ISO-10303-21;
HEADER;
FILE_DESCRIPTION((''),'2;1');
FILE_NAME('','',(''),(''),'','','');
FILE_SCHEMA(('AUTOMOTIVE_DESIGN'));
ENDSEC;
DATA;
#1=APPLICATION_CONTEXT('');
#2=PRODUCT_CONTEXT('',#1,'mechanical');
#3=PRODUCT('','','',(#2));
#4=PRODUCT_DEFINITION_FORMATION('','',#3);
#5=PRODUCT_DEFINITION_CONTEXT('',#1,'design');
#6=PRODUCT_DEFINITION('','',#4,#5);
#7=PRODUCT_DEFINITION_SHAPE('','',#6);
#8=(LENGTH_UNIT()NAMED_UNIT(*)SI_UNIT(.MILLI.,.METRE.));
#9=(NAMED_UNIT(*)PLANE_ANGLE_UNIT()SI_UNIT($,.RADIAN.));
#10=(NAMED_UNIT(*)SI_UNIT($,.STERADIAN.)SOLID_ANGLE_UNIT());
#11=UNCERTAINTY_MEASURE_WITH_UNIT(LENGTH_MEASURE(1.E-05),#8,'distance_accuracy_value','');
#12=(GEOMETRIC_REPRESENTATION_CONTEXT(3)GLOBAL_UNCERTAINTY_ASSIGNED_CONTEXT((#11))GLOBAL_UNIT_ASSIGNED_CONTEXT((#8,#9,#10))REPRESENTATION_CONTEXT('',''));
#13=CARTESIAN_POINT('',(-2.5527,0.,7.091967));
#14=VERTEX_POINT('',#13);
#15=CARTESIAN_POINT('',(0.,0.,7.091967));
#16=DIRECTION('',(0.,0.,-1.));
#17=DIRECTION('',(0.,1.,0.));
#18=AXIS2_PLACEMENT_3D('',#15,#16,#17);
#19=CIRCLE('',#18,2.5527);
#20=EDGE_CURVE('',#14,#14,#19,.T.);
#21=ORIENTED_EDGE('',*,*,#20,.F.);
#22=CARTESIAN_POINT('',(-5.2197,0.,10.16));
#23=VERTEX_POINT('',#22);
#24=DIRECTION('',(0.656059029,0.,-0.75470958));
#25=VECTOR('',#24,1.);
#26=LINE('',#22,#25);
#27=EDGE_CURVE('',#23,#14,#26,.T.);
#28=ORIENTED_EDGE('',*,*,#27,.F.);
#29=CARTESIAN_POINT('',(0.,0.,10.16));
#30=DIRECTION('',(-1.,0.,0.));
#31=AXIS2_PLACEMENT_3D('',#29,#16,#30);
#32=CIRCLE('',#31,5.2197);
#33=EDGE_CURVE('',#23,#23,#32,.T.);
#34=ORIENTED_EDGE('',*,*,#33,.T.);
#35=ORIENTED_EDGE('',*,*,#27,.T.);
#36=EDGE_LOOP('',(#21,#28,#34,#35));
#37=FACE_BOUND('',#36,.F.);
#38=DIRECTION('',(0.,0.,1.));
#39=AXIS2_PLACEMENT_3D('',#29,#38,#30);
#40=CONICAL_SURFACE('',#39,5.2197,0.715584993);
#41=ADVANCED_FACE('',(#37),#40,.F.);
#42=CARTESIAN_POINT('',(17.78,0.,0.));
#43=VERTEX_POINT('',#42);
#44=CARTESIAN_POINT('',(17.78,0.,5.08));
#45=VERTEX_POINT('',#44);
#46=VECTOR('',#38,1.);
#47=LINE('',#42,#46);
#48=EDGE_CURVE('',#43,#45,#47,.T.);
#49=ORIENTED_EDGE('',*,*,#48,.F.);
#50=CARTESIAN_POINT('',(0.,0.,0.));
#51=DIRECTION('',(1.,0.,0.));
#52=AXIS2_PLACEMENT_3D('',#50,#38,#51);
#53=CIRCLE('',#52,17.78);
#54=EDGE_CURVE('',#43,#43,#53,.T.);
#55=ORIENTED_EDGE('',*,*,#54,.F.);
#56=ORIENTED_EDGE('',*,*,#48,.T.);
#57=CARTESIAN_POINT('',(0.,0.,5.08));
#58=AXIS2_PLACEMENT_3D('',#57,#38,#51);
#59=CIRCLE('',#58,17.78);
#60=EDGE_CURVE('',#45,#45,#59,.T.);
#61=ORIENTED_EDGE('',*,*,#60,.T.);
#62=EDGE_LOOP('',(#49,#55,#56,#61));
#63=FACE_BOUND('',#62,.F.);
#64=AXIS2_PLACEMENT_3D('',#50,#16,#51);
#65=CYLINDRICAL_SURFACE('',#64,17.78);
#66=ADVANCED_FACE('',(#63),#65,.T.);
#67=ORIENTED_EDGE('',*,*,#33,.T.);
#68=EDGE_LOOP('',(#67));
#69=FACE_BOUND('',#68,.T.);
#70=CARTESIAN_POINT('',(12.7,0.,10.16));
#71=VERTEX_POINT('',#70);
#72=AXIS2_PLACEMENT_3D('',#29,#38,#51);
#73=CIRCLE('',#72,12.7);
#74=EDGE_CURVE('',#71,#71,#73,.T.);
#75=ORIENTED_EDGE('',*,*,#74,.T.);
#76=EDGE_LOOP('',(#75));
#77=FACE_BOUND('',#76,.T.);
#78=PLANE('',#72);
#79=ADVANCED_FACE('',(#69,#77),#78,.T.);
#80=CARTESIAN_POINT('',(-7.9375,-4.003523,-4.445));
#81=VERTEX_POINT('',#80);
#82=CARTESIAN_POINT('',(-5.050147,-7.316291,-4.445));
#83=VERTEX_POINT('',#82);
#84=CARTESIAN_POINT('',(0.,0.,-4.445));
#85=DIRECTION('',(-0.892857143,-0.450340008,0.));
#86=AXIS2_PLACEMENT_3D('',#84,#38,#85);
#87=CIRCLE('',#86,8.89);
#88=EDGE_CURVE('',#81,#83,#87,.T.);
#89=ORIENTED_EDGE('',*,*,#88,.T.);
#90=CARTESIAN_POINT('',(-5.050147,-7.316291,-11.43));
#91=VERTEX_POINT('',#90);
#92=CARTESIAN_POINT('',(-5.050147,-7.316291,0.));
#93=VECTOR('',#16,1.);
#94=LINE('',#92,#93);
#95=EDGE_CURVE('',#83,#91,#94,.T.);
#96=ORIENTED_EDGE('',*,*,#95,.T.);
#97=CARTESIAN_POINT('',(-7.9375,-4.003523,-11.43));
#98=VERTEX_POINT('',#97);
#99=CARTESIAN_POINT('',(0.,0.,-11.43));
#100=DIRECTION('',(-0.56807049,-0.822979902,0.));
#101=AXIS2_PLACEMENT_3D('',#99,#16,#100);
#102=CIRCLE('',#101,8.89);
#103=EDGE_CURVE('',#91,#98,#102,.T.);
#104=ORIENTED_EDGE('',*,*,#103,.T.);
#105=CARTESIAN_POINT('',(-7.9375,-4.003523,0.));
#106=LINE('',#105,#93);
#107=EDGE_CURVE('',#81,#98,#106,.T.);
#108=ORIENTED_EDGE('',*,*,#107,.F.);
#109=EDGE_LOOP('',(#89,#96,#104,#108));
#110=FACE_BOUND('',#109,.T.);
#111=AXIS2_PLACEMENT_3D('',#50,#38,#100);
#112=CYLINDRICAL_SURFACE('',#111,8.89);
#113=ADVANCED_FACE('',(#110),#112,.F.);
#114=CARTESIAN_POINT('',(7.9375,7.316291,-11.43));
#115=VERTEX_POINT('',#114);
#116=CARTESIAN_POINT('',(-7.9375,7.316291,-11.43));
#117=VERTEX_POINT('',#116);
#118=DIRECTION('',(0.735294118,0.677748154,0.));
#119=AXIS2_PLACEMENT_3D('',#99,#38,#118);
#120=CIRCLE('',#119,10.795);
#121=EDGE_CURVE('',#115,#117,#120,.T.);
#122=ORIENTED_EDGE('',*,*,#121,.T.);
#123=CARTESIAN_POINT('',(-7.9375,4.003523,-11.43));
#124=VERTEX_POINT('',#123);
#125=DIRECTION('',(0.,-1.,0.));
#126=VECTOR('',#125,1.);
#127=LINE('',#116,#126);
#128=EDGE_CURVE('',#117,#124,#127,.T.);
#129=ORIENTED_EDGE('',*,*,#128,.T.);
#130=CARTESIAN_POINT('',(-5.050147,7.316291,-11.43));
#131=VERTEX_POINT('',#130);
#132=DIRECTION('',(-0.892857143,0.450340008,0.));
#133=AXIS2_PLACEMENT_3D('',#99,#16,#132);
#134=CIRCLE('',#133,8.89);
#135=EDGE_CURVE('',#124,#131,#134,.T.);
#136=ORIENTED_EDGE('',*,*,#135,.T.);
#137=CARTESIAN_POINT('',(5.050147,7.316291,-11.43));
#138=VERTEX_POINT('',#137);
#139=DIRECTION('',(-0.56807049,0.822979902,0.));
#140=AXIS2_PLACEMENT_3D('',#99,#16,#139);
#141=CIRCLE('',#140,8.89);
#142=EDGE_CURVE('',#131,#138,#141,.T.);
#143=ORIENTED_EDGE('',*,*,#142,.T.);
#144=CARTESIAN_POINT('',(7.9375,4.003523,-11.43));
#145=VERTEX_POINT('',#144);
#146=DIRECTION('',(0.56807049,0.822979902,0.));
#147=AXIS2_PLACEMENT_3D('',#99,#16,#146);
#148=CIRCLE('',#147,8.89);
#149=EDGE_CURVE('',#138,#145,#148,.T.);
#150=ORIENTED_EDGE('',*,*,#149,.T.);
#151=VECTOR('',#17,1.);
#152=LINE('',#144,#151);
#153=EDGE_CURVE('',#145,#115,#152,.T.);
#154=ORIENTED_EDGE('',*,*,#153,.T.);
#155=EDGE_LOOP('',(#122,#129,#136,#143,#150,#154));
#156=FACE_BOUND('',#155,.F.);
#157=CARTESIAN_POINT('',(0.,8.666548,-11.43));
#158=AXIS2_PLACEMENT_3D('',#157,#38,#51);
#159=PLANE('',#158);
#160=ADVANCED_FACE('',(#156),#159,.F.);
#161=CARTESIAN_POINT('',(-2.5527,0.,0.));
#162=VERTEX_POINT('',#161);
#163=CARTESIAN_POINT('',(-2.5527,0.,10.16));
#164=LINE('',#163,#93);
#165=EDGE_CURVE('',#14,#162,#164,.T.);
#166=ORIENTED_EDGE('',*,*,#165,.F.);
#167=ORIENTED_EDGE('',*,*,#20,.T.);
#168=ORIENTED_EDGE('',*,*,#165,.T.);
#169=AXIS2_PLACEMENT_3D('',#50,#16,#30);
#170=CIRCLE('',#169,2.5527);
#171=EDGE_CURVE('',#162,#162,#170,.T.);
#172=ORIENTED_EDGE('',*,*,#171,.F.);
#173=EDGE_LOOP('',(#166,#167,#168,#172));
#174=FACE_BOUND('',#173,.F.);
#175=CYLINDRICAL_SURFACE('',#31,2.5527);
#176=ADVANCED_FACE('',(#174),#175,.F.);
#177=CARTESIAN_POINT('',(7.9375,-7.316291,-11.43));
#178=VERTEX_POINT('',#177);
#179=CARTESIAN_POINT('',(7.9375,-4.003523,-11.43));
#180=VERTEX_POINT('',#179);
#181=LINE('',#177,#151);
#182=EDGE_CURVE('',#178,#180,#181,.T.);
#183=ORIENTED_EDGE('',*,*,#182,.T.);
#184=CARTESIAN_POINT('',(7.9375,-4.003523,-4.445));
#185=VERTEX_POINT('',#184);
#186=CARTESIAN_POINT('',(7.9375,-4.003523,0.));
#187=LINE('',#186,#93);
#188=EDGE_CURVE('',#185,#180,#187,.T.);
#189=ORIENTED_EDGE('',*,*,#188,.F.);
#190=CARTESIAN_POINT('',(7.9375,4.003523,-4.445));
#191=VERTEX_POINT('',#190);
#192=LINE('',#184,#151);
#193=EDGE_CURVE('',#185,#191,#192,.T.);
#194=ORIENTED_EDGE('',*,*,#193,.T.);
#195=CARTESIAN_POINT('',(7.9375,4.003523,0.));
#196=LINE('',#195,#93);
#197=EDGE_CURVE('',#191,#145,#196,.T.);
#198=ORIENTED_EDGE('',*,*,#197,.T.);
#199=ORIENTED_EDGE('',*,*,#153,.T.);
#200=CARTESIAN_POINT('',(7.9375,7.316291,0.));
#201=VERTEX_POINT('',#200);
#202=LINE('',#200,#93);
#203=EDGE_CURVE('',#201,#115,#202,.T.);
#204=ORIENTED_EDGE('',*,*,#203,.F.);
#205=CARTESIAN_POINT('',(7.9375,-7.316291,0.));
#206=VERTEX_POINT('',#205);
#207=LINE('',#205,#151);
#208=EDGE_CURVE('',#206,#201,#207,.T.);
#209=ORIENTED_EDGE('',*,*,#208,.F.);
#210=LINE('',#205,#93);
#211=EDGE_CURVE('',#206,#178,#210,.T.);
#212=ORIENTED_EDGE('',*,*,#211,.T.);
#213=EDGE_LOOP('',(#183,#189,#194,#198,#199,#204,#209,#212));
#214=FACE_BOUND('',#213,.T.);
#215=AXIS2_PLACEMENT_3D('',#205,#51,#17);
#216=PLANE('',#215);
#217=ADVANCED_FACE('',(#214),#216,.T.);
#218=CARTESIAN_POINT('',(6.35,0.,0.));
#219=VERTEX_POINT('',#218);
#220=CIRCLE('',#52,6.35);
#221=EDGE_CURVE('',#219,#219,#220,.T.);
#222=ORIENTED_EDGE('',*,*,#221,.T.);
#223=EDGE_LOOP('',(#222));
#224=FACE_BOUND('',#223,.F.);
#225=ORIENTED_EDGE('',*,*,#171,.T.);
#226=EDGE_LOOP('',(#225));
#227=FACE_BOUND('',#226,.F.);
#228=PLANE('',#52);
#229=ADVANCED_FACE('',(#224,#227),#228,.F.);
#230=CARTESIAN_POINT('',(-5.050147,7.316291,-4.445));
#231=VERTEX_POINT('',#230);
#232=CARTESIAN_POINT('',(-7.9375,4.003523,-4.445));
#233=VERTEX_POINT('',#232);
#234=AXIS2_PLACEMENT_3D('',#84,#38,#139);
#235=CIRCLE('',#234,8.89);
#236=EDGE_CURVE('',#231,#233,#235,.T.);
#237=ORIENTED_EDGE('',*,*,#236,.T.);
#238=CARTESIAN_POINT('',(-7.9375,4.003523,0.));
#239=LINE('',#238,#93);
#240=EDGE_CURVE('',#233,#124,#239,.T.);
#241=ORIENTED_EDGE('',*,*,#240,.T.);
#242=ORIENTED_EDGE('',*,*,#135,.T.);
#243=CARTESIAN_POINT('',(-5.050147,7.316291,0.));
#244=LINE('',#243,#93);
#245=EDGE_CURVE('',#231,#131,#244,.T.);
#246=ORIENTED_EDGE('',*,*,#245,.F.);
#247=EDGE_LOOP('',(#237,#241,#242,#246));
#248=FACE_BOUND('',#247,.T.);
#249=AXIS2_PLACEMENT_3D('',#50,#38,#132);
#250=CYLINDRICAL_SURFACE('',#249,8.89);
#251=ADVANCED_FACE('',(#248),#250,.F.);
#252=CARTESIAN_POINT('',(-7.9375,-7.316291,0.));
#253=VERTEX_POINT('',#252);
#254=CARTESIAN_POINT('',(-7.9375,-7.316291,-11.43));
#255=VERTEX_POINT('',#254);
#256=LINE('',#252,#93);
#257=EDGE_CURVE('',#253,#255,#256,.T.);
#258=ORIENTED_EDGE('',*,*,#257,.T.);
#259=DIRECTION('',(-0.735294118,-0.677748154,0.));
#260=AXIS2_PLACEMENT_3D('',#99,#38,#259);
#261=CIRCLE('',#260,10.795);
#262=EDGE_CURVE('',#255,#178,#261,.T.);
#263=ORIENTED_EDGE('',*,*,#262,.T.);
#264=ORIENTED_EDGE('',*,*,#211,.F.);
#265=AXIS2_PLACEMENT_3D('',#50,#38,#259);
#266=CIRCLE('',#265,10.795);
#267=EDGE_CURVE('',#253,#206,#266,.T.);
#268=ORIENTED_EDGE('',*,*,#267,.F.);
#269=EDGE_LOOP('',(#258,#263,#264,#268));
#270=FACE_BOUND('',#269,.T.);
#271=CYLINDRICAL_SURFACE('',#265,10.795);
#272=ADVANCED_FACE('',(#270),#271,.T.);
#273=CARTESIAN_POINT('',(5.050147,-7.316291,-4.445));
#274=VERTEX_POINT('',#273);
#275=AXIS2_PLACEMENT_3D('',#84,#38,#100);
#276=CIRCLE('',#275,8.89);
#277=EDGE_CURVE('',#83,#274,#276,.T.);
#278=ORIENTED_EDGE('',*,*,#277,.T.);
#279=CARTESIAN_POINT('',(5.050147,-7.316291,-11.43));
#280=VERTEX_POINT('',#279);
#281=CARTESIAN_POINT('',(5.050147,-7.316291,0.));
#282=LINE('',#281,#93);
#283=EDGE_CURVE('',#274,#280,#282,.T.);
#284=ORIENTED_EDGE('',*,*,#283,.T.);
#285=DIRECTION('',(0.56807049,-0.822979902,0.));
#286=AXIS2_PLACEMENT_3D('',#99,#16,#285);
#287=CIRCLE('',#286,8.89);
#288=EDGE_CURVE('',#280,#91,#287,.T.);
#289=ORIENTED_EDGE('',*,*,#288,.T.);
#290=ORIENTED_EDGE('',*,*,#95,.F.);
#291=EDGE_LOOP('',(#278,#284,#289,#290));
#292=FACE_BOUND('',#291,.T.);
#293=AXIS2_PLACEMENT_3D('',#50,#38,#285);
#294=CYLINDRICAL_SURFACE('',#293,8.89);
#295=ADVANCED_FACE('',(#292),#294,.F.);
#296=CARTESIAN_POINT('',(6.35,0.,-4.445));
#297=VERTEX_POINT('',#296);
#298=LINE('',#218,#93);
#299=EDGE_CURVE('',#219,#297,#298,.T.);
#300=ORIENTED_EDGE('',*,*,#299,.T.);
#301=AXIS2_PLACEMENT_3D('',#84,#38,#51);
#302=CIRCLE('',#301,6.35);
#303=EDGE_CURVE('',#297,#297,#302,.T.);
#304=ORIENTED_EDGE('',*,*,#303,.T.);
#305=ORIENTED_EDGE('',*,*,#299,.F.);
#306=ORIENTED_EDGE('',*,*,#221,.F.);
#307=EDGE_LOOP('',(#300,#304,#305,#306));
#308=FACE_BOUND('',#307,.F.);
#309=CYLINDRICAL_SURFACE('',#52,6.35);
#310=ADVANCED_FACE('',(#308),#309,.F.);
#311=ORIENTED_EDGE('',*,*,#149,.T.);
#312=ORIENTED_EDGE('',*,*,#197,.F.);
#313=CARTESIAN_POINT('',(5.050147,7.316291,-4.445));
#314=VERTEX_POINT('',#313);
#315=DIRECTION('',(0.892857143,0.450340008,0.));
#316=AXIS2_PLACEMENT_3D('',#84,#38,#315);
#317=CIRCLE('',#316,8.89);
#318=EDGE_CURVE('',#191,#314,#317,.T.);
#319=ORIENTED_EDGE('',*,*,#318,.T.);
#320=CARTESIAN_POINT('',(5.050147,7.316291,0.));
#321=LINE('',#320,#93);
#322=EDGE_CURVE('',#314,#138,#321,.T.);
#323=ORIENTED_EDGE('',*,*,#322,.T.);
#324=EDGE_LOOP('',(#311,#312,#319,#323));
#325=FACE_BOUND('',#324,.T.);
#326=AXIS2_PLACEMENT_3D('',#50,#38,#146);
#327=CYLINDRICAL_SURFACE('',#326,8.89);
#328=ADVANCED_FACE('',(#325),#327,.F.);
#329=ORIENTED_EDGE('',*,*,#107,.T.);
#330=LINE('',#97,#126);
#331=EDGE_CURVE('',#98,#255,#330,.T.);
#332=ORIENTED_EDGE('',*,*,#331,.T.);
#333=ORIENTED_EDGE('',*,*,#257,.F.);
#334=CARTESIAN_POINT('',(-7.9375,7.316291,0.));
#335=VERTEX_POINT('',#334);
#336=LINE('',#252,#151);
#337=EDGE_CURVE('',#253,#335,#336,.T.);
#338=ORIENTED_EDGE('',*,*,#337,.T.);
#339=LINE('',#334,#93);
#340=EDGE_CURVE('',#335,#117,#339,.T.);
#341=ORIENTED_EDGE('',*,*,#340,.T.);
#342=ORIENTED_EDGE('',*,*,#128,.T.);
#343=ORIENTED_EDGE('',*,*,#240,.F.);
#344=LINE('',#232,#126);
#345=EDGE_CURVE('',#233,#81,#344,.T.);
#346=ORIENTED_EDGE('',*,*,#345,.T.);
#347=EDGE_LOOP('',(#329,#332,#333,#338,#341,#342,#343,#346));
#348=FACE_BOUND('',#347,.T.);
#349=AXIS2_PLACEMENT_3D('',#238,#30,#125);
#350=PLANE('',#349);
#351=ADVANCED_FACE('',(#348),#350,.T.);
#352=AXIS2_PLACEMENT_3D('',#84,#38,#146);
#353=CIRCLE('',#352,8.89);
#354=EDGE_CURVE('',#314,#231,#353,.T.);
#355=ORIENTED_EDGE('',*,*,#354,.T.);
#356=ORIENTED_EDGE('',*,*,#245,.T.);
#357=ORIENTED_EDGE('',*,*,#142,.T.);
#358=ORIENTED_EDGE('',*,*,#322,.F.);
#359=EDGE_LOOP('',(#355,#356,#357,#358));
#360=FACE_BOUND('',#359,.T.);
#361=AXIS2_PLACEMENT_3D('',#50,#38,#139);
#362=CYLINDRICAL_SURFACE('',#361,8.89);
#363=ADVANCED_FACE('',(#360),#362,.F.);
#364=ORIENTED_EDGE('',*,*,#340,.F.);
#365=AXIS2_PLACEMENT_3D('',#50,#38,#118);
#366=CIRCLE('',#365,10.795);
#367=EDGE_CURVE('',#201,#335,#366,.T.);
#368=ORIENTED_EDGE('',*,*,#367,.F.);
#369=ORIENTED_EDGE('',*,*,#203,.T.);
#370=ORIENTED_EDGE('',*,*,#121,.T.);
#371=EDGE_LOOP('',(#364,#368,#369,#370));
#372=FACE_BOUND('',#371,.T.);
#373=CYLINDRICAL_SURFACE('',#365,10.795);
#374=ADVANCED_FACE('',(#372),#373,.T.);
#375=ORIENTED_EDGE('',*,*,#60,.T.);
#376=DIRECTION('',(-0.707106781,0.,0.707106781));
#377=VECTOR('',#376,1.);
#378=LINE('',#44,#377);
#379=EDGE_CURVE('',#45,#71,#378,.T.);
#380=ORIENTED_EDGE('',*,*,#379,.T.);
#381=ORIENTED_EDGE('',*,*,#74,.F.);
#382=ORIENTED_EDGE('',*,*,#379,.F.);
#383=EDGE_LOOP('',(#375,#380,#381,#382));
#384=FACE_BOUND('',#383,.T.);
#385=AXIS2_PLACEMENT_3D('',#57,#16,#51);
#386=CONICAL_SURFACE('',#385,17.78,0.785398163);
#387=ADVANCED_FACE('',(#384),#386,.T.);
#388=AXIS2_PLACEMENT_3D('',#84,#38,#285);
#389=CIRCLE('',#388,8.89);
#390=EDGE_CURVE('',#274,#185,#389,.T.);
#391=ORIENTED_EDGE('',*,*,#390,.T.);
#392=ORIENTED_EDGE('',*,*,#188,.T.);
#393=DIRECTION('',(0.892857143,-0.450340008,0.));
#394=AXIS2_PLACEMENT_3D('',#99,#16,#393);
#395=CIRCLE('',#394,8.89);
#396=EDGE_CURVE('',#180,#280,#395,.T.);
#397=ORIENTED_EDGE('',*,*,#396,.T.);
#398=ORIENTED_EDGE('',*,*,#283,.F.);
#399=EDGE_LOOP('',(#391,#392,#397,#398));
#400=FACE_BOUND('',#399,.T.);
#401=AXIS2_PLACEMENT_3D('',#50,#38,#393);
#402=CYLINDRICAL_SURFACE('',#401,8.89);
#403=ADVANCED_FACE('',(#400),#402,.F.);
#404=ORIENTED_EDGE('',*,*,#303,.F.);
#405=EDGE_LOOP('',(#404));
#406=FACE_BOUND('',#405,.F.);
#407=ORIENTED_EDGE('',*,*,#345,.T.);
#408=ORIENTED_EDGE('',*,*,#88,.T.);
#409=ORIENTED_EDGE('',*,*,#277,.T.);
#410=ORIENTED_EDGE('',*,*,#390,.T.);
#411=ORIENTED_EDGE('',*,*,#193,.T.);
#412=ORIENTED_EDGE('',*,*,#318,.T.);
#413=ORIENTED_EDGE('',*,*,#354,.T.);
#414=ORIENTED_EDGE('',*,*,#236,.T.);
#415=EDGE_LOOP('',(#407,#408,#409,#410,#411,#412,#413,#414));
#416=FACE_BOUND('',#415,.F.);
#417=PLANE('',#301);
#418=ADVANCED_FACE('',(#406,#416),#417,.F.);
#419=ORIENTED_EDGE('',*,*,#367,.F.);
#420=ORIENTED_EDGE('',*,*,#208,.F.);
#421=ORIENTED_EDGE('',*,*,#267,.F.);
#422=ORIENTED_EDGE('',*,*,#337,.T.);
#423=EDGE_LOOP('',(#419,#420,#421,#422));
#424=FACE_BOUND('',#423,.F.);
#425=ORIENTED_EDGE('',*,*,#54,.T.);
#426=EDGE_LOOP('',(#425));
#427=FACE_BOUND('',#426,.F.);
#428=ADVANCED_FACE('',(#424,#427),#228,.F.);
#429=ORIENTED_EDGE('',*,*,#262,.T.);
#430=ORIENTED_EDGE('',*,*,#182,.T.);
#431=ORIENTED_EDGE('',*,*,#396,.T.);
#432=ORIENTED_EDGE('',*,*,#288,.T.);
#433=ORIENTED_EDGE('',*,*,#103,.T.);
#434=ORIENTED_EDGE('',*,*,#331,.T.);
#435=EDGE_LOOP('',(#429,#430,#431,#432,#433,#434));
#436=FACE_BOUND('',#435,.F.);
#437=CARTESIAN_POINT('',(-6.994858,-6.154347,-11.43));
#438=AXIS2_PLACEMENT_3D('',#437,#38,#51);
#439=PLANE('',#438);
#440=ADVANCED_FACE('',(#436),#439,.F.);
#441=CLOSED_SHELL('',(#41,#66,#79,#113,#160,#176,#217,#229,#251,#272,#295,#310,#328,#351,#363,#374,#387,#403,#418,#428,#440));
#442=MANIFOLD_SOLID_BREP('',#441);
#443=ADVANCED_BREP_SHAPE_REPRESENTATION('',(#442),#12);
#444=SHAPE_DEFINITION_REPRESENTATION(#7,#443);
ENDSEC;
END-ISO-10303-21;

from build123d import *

# Parameters (mm, degrees)
F0_R           = 17.78
F1_DEPTH       = 10.16
F3_D           = 5.1054
F3_CSINK_D     = 10.4394
F3_CSINK_ANGLE = 82
F5_DEPTH       = 11.43
F4_R           = 6.35
F6_DEPTH       = 4.445
F7_SIZE        = 5.08


with BuildPart() as f1:
    # F0 (on Top) → F1 (new body)
    with BuildSketch(Plane.XY):
        Circle(F0_R)
    extrude(amount=F1_DEPTH)

    # F3 (through all)
    with Locations(Plane.XY.offset(10.16)):
        with Locations((0, 0)):
            CounterSinkHole(F3_D / 2, F3_CSINK_D / 2, counter_sink_angle=F3_CSINK_ANGLE)

    # F4 (on Top) → F5 (join)
    with BuildSketch(Plane.XY):
        with BuildLine():
            Line((5.0501466563, 7.3162913248), (7.9375, 7.3162913248))
            ThreePointArc((7.9375, 7.3162913248), (0, 10.795), (-7.9375, 7.3162913248))
            Line((-7.9375, 7.3162913248), (-5.0501466563, 7.3162913248))
            ThreePointArc((-5.0501466563, 7.3162913248), (0, 8.89), (5.0501466563, 7.3162913248))
        make_face()
        with BuildLine():
            Line((7.9375, 4.0035226676), (7.9375, 7.3162913248))
            Line((7.9375, 7.3162913248), (5.0501466563, 7.3162913248))
            ThreePointArc((5.0501466563, 7.3162913248), (6.7017423452, 5.8411257082), (7.9375, 4.0035226676))
        make_face()
        with BuildLine():
            Line((-5.0501466563, 7.3162913248), (-7.9375, 7.3162913248))
            Line((-7.9375, 7.3162913248), (-7.9375, 4.0035226676))
            ThreePointArc((-7.9375, 4.0035226676), (-6.7017423452, 5.8411257082), (-5.0501466563, 7.3162913248))
        make_face()
        with BuildLine():
            Line((-7.9375, -4.0035226676), (-7.9375, -7.3162913248))
            Line((-7.9375, -7.3162913248), (-5.0501466563, -7.3162913248))
            ThreePointArc((-5.0501466563, -7.3162913248), (-6.7017423452, -5.8411257082), (-7.9375, -4.0035226676))
        make_face()
        with BuildLine():
            ThreePointArc((-7.9375, -7.3162913248), (0, -10.795), (7.9375, -7.3162913248))
            Line((7.9375, -7.3162913248), (5.0501466563, -7.3162913248))
            ThreePointArc((5.0501466563, -7.3162913248), (0, -8.89), (-5.0501466563, -7.3162913248))
            Line((-5.0501466563, -7.3162913248), (-7.9375, -7.3162913248))
        make_face()
        with BuildLine():
            Line((5.0501466563, -7.3162913248), (7.9375, -7.3162913248))
            Line((7.9375, -7.3162913248), (7.9375, -4.0035226676))
            ThreePointArc((7.9375, -4.0035226676), (6.7017423452, -5.8411257082), (5.0501466563, -7.3162913248))
        make_face()
    extrude(amount=-F5_DEPTH)

    # F4 (on Top) → F6 (join)
    with BuildSketch(Plane.XY):
        with BuildLine():
            ThreePointArc((7.9375, 4.0035226676), (6.7017423452, 5.8411257082), (5.0501466563, 7.3162913248))
            Line((5.0501466563, 7.3162913248), (-5.0501466563, 7.3162913248))
            ThreePointArc((-5.0501466563, 7.3162913248), (-6.7017423452, 5.8411257082), (-7.9375, 4.0035226676))
            Line((-7.9375, 4.0035226676), (-7.9375, -4.0035226676))
            ThreePointArc((-7.9375, -4.0035226676), (-6.7017423452, -5.8411257082), (-5.0501466563, -7.3162913248))
            Line((-5.0501466563, -7.3162913248), (5.0501466563, -7.3162913248))
            ThreePointArc((5.0501466563, -7.3162913248), (6.7017423452, -5.8411257082), (7.9375, -4.0035226676))
            Line((7.9375, -4.0035226676), (7.9375, 4.0035226676))
        make_face()
        Circle(F4_R, mode=Mode.SUBTRACT)
        with BuildLine():
            ThreePointArc((-5.0501466563, -7.3162913248), (0, -8.89), (5.0501466563, -7.3162913248))
            Line((5.0501466563, -7.3162913248), (-5.0501466563, -7.3162913248))
        make_face()
        with BuildLine():
            Line((-5.0501466563, 7.3162913248), (5.0501466563, 7.3162913248))
            ThreePointArc((5.0501466563, 7.3162913248), (0, 8.89), (-5.0501466563, 7.3162913248))
        make_face()
    extrude(amount=-F6_DEPTH)

    # F7
    f7_edges = [f1.edges().sort_by_distance(p)[0] for p in [
        (-17.78, 0, 10.16),
    ]]
    chamfer(f7_edges, length=F7_SIZE)


solid = f1.part
